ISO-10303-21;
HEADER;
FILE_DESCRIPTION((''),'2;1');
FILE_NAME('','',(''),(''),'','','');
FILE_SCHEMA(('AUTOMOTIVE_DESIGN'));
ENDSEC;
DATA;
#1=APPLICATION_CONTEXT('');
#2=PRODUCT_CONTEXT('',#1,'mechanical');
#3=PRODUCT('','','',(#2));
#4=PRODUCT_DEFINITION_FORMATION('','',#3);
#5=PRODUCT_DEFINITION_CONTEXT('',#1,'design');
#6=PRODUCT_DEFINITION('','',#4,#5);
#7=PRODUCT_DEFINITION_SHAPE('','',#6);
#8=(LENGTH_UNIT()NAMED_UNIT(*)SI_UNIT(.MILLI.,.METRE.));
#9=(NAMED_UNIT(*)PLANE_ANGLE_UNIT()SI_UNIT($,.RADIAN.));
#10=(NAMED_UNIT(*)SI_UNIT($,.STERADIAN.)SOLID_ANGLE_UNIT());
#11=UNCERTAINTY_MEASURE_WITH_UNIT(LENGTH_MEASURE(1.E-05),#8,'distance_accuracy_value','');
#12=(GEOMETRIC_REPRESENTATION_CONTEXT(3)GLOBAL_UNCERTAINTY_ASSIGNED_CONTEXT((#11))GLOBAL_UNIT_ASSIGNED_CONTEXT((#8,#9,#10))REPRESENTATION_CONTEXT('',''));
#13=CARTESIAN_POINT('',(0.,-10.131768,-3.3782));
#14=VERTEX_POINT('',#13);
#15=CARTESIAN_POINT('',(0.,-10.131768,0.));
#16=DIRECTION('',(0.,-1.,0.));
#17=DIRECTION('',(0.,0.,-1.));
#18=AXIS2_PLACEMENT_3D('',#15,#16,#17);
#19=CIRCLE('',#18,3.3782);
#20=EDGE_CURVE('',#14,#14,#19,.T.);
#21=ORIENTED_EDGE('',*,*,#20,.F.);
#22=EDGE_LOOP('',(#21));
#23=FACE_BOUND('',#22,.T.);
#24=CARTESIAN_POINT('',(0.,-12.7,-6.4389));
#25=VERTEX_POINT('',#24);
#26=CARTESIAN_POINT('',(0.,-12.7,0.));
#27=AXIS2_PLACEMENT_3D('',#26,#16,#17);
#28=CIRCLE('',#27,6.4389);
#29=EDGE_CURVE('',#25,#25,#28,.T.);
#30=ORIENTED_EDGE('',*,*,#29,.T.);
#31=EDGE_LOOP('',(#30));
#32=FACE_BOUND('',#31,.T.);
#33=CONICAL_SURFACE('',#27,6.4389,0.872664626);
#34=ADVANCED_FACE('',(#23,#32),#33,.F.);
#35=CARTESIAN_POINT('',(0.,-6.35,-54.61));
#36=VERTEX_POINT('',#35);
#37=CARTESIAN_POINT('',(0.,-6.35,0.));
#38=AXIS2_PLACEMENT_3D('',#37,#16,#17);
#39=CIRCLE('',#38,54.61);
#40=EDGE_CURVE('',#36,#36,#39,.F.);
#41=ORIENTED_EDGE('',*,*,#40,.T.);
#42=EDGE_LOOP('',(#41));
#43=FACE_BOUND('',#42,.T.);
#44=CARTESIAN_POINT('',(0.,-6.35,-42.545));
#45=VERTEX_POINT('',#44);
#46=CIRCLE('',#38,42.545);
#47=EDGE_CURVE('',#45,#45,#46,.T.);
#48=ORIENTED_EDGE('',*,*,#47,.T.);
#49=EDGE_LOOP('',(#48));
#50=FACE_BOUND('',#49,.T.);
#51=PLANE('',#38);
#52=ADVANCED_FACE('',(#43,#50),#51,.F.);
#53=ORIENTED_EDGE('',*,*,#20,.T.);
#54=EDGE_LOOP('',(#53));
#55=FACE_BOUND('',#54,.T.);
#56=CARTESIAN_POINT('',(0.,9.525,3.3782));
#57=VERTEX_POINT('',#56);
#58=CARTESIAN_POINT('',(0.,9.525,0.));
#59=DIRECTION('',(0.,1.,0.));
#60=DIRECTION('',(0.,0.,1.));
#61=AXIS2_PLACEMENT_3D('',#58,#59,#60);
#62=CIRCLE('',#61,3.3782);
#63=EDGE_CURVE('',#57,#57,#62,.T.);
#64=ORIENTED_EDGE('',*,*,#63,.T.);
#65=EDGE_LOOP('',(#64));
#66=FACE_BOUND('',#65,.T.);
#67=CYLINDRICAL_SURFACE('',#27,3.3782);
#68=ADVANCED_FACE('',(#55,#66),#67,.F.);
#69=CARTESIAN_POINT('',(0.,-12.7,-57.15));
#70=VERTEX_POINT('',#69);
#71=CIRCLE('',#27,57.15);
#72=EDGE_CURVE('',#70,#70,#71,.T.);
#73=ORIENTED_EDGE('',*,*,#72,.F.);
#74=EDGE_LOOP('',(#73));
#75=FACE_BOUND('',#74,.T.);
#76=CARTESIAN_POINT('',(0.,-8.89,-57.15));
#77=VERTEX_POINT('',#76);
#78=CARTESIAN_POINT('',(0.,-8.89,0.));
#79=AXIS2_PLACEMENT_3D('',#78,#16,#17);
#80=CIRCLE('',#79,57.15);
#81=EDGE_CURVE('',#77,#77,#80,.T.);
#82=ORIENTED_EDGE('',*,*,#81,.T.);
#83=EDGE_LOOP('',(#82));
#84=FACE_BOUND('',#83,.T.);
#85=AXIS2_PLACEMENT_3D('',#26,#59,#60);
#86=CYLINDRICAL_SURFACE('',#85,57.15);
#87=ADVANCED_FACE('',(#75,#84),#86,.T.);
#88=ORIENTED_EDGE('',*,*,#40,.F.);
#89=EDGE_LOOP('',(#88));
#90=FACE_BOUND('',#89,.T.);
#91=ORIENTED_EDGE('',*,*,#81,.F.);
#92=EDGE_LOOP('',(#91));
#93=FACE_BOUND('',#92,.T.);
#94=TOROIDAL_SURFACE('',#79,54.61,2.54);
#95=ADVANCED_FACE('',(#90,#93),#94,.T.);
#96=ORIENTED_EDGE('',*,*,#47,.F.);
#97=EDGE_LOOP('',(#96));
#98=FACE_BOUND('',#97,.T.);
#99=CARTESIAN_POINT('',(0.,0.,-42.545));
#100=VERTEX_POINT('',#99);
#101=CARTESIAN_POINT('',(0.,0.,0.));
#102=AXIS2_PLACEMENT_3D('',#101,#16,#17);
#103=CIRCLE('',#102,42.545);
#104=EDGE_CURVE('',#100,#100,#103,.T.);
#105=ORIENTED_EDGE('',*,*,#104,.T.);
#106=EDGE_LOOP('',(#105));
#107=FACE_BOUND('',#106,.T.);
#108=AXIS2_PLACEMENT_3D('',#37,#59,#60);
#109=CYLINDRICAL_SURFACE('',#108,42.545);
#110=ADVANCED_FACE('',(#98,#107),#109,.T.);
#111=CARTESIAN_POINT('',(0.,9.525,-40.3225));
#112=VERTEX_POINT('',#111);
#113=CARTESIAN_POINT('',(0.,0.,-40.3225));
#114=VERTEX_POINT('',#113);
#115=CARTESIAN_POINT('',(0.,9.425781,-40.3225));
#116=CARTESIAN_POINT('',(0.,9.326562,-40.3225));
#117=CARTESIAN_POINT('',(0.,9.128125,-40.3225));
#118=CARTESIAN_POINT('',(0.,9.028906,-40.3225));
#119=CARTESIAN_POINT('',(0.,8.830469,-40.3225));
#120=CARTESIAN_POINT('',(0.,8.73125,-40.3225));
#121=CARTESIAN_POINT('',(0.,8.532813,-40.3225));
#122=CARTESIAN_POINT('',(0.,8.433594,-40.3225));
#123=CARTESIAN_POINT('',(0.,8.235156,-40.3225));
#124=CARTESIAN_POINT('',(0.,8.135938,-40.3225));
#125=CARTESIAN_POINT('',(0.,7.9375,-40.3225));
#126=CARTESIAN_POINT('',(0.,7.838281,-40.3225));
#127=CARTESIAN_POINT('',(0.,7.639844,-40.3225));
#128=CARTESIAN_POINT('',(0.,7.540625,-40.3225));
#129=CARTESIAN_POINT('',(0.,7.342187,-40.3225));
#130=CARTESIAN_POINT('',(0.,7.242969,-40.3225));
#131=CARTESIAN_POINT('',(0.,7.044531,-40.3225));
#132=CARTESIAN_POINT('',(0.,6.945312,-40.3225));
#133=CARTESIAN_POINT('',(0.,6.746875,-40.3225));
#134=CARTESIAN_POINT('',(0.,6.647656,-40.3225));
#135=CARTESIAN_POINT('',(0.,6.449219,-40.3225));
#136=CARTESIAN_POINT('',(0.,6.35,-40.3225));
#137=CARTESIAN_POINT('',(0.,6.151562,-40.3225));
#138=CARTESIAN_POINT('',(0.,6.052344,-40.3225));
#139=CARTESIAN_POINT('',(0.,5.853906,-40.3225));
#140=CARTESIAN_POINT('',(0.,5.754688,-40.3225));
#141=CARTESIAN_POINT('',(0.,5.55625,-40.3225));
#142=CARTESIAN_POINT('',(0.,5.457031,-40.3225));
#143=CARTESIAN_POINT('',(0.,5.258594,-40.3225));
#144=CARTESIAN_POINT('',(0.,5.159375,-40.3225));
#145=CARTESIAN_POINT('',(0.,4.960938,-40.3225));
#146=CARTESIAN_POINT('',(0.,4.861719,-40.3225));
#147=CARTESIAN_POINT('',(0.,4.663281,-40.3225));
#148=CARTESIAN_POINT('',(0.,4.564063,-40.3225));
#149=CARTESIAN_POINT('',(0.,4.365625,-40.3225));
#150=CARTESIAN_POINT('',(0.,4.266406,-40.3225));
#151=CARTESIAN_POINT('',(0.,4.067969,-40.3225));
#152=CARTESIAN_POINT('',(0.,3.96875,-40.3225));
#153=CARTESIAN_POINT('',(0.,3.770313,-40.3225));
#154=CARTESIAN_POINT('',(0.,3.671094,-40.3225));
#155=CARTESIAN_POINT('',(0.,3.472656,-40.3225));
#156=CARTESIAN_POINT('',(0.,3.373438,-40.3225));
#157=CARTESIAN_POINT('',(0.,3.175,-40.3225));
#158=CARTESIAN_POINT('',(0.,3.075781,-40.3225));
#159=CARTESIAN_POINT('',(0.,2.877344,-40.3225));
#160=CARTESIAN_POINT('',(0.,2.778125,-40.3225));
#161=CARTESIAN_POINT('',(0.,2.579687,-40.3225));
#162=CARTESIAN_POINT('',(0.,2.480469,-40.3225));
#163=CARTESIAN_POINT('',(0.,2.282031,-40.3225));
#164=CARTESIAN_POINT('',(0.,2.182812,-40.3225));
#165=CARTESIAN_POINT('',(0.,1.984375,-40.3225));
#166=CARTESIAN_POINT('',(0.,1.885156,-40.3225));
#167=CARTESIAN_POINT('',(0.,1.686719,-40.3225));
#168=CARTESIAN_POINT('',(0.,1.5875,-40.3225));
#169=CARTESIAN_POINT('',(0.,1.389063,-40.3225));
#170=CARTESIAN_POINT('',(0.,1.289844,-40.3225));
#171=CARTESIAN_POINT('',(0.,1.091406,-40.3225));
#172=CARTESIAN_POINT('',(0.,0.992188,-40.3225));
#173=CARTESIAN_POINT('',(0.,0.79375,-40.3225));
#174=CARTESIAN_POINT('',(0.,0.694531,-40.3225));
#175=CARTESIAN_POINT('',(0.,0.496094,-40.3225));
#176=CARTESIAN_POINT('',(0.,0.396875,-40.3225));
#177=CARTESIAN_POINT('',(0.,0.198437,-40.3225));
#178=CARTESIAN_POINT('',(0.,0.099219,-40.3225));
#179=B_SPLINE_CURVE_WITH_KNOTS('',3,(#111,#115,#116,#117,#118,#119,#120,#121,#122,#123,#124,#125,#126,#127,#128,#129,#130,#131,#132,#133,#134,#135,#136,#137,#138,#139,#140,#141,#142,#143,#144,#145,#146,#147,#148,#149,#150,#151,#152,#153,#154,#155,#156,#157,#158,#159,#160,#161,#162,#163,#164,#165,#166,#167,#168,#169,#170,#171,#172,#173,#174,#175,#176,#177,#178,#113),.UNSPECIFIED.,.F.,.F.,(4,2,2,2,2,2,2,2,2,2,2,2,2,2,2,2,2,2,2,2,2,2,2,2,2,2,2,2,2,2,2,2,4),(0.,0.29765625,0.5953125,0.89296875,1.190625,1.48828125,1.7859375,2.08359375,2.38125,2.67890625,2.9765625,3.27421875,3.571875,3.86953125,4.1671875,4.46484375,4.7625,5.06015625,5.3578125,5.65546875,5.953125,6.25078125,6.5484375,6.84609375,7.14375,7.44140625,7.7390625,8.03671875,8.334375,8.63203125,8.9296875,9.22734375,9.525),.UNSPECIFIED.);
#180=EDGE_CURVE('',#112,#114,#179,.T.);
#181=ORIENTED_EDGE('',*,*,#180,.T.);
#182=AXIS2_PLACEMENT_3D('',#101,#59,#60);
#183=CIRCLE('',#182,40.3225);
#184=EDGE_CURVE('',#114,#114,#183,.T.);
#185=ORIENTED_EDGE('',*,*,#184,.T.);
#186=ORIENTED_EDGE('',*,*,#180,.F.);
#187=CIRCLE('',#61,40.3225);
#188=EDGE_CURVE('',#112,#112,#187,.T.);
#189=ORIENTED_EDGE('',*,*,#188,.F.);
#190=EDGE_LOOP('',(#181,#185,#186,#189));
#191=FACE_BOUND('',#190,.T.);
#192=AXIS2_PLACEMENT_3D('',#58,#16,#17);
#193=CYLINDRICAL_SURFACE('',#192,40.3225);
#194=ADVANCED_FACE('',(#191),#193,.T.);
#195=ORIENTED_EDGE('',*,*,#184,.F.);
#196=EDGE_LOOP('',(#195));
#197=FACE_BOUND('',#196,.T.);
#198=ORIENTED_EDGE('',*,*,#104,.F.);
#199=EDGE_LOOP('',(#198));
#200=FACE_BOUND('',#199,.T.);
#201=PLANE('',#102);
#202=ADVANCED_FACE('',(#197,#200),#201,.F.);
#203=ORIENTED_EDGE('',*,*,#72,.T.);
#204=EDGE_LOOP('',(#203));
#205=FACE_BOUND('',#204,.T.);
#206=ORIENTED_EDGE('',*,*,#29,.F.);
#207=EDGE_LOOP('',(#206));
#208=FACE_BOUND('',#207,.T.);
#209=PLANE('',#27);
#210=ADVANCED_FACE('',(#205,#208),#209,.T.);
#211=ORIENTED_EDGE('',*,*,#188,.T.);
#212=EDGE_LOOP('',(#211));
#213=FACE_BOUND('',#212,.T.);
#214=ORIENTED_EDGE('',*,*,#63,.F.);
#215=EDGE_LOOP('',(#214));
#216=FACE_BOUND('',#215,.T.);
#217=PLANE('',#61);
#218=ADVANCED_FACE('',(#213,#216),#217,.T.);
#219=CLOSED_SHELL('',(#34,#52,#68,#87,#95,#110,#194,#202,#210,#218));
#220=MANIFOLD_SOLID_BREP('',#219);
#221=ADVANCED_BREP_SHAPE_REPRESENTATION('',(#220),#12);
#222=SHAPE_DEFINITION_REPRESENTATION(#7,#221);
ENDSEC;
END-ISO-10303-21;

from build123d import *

# Parameters (mm, degrees)
SKETCH1_R                                           = 40.3225
BOSS_EXTRUDE1_DEPTH                                 = 9.525
SKETCH2_R                                           = 42.545
BOSS_EXTRUDE2_DEPTH                                 = 6.35
SKETCH3_R                                           = 57.15
BOSS_EXTRUDE3_DEPTH                                 = 6.35
FILLET2_R                                           = 2.54
CSK_FOR_1_4_FLAT_HEAD_MACHINE_SCREW_100_D           = 6.7564
CSK_FOR_1_4_FLAT_HEAD_MACHINE_SCREW_100_CSINK_D     = 12.8778
CSK_FOR_1_4_FLAT_HEAD_MACHINE_SCREW_100_CSINK_ANGLE = 100


with BuildPart() as part:
    # Sketch1 → Boss-Extrude1 (new body)
    with BuildSketch(Plane(origin=(0, 0, 0), x_dir=(1, 0, 0), z_dir=(0, 1, 0))):
        with Locations(Location((0, 0, 0), (0, 0, 90))):
            Circle(SKETCH1_R)
    extrude(amount=BOSS_EXTRUDE1_DEPTH)

    # Sketch2 → Boss-Extrude2 (add)
    with BuildSketch(Plane.XZ):
        with Locations(Location((0, 0, 0), (0, 0, 270))):
            Circle(SKETCH2_R)
    extrude(amount=BOSS_EXTRUDE2_DEPTH)

    # Sketch3 → Boss-Extrude3 (add)
    with BuildSketch(Plane.XZ.offset(6.35)):
        with Locations(Location((0, 0, 0), (0, 0, 270))):
            Circle(SKETCH3_R)
    extrude(amount=BOSS_EXTRUDE3_DEPTH)

    # Fillet2
    fillet2_edges = [part.edges().sort_by_distance(p)[0] for p in [
        (0, -6.35, 57.15),
    ]]
    fillet(fillet2_edges, radius=FILLET2_R)

    # CSK for 1/4 Flat Head Machine Screw (100)1 (through all)
    with Locations(Plane(origin=(0, -12.7, 0), x_dir=(0, 0, -1), z_dir=(0, -1, 0))):
        with Locations((0, 0)):
            CounterSinkHole(CSK_FOR_1_4_FLAT_HEAD_MACHINE_SCREW_100_D / 2, CSK_FOR_1_4_FLAT_HEAD_MACHINE_SCREW_100_CSINK_D / 2, counter_sink_angle=CSK_FOR_1_4_FLAT_HEAD_MACHINE_SCREW_100_CSINK_ANGLE)


solid = part.part
